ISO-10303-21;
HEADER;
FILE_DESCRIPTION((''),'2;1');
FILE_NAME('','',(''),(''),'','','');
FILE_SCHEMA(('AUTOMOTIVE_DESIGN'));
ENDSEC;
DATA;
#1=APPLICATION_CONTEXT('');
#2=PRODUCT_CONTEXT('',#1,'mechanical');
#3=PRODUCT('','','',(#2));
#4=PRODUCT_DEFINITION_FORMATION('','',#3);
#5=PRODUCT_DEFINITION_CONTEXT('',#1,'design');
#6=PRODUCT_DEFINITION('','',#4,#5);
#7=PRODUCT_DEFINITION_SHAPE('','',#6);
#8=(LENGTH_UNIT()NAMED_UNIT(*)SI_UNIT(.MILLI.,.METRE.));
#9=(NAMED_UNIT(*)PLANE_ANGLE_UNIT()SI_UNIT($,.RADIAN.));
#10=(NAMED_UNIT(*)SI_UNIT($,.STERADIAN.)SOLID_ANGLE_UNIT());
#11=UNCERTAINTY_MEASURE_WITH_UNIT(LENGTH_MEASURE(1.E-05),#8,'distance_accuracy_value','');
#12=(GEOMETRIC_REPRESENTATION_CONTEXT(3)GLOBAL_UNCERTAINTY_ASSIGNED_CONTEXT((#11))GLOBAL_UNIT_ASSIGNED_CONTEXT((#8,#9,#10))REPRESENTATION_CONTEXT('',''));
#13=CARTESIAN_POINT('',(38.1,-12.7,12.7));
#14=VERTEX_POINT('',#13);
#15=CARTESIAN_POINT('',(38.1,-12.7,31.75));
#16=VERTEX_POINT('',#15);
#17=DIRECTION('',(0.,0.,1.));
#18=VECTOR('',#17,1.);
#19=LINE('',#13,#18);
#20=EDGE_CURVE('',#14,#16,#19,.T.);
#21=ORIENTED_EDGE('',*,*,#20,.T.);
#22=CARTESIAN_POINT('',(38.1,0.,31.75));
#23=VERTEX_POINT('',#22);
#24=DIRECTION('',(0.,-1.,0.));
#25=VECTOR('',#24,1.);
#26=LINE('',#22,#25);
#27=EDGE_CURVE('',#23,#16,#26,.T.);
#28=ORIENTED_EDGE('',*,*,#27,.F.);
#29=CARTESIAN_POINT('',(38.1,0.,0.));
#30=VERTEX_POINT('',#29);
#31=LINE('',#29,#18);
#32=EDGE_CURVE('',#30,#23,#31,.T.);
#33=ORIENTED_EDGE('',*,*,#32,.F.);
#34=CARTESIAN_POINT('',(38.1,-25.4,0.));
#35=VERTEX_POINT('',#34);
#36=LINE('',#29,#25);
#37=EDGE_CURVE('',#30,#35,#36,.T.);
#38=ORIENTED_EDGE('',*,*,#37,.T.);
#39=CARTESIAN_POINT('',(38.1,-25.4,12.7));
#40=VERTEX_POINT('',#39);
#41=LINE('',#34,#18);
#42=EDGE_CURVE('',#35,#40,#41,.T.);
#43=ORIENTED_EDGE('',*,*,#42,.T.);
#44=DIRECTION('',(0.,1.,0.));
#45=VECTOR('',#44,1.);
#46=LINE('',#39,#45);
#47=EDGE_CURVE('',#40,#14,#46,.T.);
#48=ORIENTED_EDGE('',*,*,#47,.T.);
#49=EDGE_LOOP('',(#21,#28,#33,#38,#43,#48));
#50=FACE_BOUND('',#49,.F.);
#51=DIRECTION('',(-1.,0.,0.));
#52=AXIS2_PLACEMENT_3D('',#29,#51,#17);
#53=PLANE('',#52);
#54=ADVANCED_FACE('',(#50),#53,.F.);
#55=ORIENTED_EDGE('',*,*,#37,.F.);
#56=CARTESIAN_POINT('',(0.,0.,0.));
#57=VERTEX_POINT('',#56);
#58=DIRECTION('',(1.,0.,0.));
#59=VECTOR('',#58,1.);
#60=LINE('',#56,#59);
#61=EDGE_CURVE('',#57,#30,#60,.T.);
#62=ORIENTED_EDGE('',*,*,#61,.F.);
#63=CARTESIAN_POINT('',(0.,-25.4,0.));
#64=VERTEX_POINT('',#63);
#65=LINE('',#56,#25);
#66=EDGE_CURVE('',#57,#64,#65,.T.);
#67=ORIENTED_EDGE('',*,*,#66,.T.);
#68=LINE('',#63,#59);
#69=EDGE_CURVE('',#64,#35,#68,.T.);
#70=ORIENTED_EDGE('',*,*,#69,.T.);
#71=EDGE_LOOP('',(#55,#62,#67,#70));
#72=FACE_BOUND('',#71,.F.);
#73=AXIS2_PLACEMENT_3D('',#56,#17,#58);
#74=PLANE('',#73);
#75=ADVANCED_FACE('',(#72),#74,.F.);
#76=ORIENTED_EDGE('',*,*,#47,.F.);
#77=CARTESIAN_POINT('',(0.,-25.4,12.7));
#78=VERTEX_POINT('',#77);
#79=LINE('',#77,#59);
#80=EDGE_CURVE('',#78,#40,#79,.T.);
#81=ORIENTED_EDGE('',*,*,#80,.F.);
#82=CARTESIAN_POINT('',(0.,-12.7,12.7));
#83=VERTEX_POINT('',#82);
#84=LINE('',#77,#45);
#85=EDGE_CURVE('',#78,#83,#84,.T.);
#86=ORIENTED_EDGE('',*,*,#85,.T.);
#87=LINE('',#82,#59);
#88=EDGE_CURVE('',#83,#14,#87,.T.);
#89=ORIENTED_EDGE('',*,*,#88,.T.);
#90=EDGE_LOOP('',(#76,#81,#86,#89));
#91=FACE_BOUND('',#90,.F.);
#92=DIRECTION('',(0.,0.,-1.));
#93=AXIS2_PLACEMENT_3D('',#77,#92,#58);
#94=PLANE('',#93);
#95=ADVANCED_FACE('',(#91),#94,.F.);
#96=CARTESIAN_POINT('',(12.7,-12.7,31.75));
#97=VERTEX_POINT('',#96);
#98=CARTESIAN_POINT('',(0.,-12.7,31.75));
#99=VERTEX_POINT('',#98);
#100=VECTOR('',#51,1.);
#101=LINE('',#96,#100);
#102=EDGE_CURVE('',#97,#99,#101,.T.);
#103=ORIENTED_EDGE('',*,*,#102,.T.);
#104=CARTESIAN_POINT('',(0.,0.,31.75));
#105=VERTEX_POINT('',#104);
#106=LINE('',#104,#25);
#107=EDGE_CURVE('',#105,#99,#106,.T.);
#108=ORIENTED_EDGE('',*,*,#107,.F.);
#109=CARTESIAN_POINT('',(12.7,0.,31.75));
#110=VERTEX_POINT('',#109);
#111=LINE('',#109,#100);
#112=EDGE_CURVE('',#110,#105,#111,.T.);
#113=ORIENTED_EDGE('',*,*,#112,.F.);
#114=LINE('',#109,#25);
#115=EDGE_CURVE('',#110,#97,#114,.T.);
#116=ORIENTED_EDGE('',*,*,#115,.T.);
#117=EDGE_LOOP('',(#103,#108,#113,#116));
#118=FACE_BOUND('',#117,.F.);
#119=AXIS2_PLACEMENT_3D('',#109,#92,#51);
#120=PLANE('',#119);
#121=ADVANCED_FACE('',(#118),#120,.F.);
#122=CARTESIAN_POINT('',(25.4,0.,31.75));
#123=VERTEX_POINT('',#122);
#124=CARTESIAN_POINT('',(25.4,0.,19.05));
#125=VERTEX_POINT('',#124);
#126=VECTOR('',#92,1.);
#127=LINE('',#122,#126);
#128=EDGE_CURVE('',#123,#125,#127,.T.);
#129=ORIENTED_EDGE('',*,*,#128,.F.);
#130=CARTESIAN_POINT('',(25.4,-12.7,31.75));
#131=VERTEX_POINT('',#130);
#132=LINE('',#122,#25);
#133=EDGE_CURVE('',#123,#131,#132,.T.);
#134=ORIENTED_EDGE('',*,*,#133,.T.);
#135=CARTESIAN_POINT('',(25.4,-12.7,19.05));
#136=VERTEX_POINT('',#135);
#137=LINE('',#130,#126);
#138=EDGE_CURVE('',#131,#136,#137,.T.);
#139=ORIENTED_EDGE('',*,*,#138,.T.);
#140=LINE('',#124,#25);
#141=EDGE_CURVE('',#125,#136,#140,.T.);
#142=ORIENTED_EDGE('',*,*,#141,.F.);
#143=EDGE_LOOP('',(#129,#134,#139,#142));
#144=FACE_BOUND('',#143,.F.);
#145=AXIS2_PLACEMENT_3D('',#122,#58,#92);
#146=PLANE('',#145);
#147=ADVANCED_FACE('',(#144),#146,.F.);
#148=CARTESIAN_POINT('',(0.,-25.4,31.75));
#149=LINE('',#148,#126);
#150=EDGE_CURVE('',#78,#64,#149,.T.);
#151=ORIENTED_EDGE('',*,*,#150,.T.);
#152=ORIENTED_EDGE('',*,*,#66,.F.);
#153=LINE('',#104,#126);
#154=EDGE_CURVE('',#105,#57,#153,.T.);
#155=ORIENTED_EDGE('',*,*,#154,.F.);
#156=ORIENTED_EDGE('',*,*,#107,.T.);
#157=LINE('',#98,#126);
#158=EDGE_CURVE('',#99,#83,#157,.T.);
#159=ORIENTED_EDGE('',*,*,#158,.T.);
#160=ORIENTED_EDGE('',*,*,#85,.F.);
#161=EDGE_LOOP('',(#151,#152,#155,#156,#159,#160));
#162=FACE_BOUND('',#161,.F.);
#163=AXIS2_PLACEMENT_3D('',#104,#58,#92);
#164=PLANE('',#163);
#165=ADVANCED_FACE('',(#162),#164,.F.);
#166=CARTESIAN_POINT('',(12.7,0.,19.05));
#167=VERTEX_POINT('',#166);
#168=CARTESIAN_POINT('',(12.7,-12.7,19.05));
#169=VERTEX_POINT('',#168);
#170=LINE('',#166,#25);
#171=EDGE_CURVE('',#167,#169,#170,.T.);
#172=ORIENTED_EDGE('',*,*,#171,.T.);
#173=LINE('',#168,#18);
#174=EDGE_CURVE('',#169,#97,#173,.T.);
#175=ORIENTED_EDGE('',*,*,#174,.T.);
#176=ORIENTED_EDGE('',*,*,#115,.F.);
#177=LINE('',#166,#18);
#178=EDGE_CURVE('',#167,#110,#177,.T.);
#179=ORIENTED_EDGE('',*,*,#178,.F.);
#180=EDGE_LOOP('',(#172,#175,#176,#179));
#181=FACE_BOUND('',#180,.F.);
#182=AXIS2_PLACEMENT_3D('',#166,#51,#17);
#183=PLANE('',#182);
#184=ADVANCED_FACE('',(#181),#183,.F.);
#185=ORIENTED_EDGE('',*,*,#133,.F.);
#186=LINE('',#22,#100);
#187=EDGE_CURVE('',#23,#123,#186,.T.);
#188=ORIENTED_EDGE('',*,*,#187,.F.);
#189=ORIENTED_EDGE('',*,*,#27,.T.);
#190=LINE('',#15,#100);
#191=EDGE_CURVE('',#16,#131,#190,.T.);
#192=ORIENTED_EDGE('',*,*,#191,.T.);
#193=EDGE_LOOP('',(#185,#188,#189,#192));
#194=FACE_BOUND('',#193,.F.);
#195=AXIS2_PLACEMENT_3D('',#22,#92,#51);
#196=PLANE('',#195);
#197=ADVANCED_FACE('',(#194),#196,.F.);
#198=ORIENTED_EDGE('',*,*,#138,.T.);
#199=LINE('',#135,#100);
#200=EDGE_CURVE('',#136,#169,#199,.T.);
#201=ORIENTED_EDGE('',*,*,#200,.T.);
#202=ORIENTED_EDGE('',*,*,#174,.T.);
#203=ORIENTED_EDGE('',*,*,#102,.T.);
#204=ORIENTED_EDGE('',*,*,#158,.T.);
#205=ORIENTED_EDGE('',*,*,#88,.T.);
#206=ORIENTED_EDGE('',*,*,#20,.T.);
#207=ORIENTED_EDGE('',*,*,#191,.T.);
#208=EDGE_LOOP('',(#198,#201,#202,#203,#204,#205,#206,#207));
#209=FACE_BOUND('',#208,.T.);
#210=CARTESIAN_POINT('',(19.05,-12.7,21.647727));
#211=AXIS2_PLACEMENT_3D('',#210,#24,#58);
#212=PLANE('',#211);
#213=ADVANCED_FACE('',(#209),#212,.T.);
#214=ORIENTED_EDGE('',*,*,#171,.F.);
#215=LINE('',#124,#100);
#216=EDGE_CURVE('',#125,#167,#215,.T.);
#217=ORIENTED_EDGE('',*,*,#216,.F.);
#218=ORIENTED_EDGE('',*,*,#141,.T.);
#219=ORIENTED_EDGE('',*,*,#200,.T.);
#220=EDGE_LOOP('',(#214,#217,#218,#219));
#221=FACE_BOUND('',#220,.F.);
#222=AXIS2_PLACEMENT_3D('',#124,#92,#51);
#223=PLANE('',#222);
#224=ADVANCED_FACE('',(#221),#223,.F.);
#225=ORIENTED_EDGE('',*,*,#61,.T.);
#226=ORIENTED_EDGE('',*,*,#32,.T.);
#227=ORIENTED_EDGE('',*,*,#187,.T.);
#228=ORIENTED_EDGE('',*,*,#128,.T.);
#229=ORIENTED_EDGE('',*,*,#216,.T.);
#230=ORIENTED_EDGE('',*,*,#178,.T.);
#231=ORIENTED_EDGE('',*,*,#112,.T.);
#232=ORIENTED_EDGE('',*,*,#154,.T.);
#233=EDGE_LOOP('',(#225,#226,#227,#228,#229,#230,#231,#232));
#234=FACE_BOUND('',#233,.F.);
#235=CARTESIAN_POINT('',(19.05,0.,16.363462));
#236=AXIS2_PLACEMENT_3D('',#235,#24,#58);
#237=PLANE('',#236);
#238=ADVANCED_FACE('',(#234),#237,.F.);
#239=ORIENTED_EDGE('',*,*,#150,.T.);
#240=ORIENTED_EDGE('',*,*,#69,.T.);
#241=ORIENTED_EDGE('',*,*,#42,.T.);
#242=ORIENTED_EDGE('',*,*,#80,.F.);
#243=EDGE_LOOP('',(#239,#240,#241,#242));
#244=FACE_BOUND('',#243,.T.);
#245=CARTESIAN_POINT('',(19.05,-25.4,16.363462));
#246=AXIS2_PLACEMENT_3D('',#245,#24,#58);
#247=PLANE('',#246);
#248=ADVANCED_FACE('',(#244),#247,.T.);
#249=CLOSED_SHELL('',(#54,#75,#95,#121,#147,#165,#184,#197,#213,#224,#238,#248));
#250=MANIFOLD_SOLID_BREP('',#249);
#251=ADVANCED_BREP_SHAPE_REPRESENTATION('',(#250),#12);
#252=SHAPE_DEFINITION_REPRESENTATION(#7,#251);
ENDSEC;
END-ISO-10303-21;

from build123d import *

# Parameters (mm, degrees)
F1_DEPTH = 25.4
F3_DEPTH = 12.7


with BuildPart() as f1:
    # F0 (on Front) → F1 (new body)
    with BuildSketch(Plane.XZ):
        Polygon((0, 31.75), (0, 0), (38.1, 0), (38.1, 31.75), (25.4, 31.75), (25.4, 19.05), (12.7, 19.05), (12.7, 31.75), align=None)
    extrude(amount=F1_DEPTH)

    # F2 (on face) → F3 (cut)
    with BuildSketch(Plane.XZ.offset(25.4)):
        Polygon((0, 31.75), (0, 12.7), (38.1, 12.7), (38.1, 31.75), (25.4, 31.75), (25.4, 19.05), (12.7, 19.05), (12.7, 31.75), align=None)
    extrude(amount=-F3_DEPTH, mode=Mode.SUBTRACT)


solid = f1.part
